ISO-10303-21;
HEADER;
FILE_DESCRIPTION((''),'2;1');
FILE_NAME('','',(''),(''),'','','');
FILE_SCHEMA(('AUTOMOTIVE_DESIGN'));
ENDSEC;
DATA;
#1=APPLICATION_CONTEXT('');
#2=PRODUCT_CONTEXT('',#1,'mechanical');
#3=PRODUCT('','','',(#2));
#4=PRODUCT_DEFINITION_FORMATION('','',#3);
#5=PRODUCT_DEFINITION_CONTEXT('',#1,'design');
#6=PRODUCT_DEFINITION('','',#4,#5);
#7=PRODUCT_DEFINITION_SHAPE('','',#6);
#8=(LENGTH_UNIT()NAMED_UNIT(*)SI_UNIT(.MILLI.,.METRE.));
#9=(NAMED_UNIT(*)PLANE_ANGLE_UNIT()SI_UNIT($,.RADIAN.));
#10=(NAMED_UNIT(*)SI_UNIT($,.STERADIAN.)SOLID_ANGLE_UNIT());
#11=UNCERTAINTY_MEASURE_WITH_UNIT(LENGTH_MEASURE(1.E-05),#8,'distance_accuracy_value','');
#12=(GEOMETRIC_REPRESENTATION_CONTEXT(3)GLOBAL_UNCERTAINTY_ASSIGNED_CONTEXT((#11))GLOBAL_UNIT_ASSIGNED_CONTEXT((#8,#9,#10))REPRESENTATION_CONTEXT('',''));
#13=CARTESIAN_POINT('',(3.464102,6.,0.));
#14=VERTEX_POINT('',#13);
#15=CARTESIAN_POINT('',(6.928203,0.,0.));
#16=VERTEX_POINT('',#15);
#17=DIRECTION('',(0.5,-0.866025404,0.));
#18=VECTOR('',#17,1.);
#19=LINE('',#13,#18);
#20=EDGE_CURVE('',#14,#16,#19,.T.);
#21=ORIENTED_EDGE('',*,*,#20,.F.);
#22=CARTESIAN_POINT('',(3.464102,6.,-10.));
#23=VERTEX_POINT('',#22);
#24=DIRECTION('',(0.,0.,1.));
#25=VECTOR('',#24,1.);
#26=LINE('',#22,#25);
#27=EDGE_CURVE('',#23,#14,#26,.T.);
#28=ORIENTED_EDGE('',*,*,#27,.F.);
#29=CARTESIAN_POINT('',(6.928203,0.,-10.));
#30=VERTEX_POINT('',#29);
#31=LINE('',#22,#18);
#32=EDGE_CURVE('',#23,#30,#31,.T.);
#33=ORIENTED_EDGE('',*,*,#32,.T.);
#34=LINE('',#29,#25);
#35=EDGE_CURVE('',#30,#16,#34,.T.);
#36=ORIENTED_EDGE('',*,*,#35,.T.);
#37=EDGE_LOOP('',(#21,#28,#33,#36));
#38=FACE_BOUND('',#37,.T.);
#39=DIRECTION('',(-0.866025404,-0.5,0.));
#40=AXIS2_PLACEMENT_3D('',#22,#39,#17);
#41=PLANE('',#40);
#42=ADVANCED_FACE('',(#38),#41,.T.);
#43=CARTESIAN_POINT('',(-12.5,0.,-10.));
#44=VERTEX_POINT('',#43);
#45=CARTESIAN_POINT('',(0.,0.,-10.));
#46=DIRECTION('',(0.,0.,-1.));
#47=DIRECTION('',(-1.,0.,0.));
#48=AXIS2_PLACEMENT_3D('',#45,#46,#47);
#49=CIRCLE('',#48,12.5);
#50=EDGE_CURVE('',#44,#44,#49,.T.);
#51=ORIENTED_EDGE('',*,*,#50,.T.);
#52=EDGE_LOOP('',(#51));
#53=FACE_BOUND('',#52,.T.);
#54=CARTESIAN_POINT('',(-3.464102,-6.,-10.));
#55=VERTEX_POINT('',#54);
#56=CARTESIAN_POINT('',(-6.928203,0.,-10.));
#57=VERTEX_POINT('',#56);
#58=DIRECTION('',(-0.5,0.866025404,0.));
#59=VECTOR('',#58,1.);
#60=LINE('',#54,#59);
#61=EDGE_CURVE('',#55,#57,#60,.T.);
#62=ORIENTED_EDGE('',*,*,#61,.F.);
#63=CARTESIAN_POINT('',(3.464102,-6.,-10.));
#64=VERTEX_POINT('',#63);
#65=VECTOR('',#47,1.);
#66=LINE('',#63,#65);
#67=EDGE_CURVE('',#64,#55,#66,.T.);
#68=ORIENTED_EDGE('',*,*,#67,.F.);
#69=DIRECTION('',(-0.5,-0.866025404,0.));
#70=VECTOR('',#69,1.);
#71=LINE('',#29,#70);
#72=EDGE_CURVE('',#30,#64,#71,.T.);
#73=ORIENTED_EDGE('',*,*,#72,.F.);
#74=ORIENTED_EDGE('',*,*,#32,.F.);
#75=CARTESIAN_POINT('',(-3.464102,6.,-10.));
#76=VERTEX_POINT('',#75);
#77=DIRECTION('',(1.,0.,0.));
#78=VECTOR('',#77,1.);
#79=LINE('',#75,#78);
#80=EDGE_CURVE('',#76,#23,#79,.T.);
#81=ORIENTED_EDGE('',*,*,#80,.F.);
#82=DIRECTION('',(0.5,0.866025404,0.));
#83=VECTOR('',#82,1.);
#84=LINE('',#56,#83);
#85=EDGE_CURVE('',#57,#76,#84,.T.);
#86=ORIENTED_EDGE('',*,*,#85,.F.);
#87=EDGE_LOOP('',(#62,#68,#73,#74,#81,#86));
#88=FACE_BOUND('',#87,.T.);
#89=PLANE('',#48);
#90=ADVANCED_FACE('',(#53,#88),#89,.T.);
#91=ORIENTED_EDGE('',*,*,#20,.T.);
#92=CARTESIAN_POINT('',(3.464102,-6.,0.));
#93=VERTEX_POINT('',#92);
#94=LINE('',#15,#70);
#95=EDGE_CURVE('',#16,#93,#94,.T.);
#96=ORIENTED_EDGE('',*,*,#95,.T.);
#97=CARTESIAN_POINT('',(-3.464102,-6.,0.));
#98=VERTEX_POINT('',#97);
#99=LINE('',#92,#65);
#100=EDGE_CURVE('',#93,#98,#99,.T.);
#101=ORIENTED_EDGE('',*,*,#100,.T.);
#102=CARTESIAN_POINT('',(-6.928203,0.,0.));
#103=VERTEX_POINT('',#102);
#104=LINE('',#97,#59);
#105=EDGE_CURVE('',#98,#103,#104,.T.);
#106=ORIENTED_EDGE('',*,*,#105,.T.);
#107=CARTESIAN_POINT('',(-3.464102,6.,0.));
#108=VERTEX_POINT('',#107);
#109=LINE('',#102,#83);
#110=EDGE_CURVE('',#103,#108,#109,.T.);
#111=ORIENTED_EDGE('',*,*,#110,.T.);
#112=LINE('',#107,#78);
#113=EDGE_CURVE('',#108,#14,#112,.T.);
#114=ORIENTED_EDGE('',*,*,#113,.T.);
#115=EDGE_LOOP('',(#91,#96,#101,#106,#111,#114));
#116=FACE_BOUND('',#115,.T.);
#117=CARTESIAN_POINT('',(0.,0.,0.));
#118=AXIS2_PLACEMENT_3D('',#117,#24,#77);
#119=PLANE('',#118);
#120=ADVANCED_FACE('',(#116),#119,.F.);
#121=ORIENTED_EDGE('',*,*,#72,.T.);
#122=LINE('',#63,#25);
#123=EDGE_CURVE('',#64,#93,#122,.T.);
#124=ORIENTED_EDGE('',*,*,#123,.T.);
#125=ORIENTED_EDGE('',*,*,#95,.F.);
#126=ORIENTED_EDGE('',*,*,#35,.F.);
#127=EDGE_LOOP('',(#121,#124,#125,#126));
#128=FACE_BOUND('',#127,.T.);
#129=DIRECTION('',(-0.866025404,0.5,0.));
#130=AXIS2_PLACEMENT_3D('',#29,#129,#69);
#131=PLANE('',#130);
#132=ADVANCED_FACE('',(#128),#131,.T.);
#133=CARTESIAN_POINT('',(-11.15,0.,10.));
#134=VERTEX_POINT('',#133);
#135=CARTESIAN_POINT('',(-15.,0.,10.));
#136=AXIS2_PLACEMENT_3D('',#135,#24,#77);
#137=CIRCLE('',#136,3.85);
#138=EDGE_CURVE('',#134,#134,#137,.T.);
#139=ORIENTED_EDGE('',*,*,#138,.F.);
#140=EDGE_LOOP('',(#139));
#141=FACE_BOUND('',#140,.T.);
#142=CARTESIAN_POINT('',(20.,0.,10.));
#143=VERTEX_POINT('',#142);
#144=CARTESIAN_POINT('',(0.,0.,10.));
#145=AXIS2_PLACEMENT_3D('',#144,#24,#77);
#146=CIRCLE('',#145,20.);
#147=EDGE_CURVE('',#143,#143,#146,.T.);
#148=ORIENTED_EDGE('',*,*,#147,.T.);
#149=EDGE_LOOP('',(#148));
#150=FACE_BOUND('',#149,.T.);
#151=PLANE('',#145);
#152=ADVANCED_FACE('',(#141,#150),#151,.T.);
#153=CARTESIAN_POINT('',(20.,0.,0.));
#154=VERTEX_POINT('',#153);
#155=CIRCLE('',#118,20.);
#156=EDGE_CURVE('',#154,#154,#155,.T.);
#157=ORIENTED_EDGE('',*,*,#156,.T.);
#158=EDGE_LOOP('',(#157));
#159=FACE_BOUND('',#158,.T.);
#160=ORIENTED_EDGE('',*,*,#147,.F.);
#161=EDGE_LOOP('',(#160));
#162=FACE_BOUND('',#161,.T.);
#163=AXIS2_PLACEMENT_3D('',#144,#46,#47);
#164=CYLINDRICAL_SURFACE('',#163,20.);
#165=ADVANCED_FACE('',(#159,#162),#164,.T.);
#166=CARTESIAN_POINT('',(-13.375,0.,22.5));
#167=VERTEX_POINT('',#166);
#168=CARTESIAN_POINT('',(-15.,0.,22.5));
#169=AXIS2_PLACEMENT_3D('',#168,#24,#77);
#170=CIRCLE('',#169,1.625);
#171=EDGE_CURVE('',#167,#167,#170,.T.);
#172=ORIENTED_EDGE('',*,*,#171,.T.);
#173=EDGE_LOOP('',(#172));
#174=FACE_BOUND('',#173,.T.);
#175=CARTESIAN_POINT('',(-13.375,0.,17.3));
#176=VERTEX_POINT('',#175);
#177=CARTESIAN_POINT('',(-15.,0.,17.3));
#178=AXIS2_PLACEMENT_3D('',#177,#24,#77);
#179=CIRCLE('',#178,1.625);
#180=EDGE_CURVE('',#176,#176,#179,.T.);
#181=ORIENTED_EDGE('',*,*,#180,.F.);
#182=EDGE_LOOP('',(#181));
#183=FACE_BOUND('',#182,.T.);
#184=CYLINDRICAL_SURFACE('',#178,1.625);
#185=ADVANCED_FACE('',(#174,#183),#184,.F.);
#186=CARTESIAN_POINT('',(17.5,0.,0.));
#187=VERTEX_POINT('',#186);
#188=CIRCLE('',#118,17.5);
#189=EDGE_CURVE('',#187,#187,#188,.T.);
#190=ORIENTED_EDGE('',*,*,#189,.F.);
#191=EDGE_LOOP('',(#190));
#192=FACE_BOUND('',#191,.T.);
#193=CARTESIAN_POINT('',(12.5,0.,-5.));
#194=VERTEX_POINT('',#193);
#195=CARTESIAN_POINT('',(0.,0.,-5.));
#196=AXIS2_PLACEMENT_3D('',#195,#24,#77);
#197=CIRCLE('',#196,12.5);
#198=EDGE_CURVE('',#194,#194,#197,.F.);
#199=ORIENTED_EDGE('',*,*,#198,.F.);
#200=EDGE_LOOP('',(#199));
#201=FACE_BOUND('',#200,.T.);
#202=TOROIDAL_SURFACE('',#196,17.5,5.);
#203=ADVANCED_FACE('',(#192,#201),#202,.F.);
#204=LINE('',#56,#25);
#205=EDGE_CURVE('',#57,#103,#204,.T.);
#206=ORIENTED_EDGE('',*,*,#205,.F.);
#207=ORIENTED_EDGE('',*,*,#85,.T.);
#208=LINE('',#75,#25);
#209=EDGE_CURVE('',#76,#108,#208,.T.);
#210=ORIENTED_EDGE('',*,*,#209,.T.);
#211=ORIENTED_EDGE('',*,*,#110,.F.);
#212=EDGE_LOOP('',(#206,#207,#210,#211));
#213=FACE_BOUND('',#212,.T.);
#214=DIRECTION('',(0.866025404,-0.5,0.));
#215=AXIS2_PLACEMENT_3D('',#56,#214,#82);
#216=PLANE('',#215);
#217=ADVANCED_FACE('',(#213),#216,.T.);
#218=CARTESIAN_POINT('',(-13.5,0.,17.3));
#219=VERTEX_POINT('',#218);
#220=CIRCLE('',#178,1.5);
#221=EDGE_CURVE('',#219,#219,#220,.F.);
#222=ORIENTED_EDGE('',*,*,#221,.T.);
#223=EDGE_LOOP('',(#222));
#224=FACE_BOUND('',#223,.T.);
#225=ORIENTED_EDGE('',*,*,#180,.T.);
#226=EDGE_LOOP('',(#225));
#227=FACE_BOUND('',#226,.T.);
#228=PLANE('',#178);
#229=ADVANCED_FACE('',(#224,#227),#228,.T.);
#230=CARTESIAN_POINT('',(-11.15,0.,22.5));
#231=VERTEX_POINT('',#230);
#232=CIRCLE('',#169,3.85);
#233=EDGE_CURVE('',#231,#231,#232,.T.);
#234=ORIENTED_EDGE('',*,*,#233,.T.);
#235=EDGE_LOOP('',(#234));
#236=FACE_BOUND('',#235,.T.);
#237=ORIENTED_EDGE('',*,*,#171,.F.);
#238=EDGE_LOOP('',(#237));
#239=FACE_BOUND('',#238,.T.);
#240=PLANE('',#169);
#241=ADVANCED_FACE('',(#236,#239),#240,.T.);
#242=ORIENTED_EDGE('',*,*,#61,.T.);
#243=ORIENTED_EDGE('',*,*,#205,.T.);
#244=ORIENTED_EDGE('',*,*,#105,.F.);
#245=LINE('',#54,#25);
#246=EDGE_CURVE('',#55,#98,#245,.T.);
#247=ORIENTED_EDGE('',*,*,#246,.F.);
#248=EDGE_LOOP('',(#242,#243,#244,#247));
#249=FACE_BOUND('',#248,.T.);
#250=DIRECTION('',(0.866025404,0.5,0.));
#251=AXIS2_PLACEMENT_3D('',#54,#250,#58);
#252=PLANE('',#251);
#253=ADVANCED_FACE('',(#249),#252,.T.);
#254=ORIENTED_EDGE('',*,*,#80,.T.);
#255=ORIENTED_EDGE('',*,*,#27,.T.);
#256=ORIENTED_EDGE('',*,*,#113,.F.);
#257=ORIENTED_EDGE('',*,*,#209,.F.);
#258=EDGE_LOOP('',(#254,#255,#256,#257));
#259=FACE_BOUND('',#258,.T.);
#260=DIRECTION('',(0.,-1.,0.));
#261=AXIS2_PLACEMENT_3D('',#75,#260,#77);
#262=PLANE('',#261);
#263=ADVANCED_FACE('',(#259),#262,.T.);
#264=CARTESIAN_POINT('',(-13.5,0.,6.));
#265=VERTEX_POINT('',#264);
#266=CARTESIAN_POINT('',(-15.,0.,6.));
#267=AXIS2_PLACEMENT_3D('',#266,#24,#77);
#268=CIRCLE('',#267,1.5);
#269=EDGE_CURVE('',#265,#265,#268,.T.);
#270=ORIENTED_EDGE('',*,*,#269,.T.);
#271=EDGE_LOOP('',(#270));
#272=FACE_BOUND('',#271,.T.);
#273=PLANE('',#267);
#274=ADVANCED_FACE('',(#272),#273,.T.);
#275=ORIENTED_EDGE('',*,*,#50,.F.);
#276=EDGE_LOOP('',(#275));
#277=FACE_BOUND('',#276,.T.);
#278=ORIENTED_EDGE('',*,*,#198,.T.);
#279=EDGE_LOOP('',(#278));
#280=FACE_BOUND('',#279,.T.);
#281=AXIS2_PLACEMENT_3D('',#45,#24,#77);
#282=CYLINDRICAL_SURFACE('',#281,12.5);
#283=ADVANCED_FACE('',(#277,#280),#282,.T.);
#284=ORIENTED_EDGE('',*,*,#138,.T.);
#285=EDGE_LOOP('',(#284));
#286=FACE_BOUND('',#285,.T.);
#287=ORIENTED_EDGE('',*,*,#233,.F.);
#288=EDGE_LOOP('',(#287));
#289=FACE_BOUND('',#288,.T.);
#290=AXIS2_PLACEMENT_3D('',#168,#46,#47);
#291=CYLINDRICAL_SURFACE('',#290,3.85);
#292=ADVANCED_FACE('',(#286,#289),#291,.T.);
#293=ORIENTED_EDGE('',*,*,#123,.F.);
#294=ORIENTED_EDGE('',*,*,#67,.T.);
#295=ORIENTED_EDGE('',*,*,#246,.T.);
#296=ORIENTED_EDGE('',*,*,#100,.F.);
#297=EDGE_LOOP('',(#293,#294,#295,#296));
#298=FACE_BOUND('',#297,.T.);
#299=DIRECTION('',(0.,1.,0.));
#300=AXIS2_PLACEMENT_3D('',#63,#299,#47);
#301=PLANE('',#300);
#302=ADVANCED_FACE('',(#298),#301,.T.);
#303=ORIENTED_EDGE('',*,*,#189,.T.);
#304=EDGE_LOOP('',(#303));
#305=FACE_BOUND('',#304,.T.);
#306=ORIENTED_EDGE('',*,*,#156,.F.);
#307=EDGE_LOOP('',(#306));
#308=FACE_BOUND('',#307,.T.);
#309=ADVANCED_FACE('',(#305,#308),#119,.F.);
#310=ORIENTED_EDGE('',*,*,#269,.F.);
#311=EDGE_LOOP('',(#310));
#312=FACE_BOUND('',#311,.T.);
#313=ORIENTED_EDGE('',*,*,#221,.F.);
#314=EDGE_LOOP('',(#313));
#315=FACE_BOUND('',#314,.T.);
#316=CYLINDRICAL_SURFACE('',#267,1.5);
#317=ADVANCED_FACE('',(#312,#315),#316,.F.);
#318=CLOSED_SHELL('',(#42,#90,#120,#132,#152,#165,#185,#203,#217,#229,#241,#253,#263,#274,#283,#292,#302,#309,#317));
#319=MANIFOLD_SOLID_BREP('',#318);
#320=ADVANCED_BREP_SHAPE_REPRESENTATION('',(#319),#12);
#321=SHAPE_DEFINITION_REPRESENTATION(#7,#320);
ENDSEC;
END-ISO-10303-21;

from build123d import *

# Parameters (mm, degrees)
SKETCH1_R           = 20
BOSS_EXTRUDE1_DEPTH = 10
SKETCH2_R           = 3.85
BOSS_EXTRUDE2_DEPTH = 12.5
SKETCH3_R           = 12.5
BOSS_EXTRUDE3_DEPTH = 10
SKETCH5_R           = 1.5
CUT_EXTRUDE1_DEPTH  = 16.5
SKETCH6_R           = 1.625
CUT_EXTRUDE2_DEPTH  = 5.2
FILLET1_R           = 5


with BuildPart() as part:
    # Sketch1 → Boss-Extrude1 (new body)
    with BuildSketch(Plane.XY):
        Circle(SKETCH1_R)
    extrude(amount=BOSS_EXTRUDE1_DEPTH)

    # Sketch2 → Boss-Extrude2 (add)
    with BuildSketch(Plane.XY.offset(10)):
        with Locations((-15, 0)):
            Circle(SKETCH2_R)
    extrude(amount=BOSS_EXTRUDE2_DEPTH)

    # Sketch3 → Boss-Extrude3 (add)
    with BuildSketch(Plane(origin=(0, 0, 0), x_dir=(-1, 0, 0), z_dir=(0, 0, -1))):
        with Locations(Location((0, 0, 0), (0, 0, 180))):
            Circle(SKETCH3_R)
        Polygon((3.464101615, 6), (-3.464101615, 6), (-6.92820323, 0), (-3.464101615, -6), (3.464101615, -6), (6.92820323, 0), align=None, mode=Mode.SUBTRACT)
    extrude(amount=BOSS_EXTRUDE3_DEPTH)

    # Sketch5 → Cut-Extrude1 (cut)
    with BuildSketch(Plane.XY.offset(22.5)):
        with Locations((-15, 0)):
            Circle(SKETCH5_R)
    extrude(amount=-CUT_EXTRUDE1_DEPTH, mode=Mode.SUBTRACT)

    # Sketch6 → Cut-Extrude2 (cut)
    with BuildSketch(Plane.XY.offset(22.5)):
        with Locations((-15, 0)):
            Circle(SKETCH6_R)
    extrude(amount=-CUT_EXTRUDE2_DEPTH, mode=Mode.SUBTRACT)

    # Fillet1
    fillet1_edges = [part.edges().sort_by_distance(p)[0] for p in [
        (-12.5, 0, 0),
    ]]
    fillet(fillet1_edges, radius=FILLET1_R)


solid = part.part
